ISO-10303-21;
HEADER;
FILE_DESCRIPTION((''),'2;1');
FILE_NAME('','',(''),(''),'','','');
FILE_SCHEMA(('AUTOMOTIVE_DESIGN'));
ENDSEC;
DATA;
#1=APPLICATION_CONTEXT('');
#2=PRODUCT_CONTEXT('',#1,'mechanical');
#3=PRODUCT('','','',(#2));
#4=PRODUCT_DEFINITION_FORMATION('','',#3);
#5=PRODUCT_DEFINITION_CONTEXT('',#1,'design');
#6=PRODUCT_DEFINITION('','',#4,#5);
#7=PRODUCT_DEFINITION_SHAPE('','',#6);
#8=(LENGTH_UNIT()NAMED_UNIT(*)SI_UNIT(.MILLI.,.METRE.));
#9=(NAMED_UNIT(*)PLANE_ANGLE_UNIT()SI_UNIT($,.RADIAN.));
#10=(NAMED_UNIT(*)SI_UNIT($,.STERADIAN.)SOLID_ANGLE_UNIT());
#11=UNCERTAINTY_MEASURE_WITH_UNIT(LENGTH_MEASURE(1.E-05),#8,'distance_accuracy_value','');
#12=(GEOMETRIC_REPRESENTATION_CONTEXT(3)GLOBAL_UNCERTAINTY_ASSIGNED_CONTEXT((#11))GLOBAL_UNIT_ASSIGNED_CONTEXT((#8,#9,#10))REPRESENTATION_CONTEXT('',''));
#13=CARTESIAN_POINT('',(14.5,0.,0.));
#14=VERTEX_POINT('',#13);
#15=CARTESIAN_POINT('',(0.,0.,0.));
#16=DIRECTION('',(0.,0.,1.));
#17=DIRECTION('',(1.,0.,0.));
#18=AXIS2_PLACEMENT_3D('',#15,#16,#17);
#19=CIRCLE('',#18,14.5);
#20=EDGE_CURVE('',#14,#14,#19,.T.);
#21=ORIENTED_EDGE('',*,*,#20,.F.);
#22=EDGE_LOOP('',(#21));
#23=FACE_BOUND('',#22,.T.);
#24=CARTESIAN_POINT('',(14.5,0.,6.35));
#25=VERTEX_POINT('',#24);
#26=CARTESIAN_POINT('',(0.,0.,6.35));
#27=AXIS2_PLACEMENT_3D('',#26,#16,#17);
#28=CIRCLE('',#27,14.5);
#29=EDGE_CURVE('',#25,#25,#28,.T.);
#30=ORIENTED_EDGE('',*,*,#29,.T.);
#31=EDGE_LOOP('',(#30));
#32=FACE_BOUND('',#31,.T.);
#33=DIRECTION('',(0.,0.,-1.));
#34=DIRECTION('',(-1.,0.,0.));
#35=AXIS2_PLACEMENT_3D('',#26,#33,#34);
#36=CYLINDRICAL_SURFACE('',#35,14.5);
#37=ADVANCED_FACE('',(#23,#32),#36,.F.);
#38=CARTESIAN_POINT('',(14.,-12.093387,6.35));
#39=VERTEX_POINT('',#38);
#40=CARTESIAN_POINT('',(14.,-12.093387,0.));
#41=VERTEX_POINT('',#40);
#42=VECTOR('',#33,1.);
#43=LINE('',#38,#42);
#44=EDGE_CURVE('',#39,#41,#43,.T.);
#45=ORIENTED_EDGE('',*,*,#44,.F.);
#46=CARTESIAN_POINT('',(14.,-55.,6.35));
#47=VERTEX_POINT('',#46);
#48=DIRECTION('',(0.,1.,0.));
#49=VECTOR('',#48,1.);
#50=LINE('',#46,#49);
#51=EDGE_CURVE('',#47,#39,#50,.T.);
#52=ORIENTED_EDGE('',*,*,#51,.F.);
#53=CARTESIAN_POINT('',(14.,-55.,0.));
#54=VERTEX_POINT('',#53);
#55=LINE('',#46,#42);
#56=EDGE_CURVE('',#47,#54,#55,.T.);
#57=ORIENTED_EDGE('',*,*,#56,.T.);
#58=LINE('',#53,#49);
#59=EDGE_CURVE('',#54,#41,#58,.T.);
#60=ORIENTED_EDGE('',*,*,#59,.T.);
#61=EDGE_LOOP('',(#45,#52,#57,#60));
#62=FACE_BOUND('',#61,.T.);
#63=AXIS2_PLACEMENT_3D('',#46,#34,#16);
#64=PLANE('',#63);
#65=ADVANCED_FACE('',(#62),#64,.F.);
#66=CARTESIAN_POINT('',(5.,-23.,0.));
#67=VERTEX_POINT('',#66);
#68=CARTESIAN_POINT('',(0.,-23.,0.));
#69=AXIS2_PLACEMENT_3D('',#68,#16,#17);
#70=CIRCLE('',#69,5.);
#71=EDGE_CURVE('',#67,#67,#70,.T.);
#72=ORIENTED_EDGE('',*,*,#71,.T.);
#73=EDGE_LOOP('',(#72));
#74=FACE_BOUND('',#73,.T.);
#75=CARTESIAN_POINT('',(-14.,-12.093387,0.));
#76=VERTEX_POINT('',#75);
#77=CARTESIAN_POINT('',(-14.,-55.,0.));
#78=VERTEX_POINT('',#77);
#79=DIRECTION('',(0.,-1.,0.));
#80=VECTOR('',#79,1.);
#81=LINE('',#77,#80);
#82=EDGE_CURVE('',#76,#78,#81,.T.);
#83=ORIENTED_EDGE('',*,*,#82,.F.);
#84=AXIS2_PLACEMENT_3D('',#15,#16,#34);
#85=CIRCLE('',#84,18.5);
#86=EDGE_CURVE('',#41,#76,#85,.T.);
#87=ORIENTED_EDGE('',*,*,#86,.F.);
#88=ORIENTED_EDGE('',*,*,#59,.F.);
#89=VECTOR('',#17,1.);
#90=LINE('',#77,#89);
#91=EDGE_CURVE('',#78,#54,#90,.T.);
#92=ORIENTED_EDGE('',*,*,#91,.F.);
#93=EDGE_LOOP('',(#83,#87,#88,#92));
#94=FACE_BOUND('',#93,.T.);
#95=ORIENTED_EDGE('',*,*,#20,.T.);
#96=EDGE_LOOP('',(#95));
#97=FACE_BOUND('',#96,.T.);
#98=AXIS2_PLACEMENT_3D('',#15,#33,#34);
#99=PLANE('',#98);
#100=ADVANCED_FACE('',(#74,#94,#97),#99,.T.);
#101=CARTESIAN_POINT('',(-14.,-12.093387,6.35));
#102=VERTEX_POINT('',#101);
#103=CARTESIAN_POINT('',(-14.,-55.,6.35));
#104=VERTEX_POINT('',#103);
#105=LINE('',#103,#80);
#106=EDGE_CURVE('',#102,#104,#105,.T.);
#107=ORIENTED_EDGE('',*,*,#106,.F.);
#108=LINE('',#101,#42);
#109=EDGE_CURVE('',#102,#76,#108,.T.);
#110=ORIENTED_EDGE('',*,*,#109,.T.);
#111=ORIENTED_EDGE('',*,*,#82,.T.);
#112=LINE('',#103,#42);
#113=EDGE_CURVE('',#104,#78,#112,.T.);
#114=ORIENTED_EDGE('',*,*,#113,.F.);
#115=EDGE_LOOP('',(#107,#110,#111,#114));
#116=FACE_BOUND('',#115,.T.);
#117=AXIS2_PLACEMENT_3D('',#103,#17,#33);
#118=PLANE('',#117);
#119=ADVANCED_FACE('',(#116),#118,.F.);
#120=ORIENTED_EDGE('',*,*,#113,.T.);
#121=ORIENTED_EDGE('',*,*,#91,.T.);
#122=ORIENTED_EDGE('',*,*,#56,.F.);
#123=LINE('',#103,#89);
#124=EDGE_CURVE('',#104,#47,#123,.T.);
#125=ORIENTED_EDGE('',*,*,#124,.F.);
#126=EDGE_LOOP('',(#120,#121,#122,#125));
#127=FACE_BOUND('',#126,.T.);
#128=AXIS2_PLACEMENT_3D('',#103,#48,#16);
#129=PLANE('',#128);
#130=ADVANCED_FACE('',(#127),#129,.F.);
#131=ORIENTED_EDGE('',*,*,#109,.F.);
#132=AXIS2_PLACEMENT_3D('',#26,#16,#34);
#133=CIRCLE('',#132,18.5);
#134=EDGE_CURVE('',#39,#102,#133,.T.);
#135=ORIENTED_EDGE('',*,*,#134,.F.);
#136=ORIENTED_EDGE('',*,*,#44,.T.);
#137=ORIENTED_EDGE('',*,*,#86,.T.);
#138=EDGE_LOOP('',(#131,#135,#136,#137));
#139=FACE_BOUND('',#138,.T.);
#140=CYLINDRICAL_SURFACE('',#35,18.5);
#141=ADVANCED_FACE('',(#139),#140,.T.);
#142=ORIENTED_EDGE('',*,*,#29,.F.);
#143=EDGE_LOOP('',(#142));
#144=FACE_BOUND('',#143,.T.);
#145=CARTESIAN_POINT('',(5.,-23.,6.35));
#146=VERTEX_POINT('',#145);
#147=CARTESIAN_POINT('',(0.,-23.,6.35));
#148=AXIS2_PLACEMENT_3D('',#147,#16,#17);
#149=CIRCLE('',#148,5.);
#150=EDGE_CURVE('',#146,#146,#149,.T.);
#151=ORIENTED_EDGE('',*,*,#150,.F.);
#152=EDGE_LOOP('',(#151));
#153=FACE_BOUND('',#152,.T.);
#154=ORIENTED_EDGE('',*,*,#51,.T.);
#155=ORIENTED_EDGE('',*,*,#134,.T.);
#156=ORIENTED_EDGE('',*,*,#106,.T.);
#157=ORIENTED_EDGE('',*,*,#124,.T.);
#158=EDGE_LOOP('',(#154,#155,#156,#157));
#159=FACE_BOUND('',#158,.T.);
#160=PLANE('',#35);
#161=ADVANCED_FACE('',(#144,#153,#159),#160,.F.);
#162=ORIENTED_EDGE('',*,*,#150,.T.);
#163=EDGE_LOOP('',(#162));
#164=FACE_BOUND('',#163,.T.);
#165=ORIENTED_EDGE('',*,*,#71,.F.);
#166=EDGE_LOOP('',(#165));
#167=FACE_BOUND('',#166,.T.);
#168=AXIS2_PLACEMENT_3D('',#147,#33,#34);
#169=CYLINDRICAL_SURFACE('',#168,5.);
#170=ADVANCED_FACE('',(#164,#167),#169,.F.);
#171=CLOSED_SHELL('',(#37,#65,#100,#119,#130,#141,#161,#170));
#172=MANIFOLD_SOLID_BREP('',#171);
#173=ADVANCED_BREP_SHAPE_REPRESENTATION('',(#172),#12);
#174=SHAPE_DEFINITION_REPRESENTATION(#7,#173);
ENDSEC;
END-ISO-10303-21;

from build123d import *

# Parameters (mm, degrees)
SKETCH1_R           = 14.5
SKETCH1_R_2         = 5
BOSS_EXTRUDE1_DEPTH = 6.35


with BuildPart() as part:
    # Sketch1 → Boss-Extrude1 (new body)
    with BuildSketch(Plane.XY):
        with BuildLine():
            Line((-14, -55), (14, -55))
            Line((14, -55), (14, -12.093386622))
            ThreePointArc((14, -12.093386622), (0, 18.5), (-14, -12.093386622))
            Line((-14, -12.093386622), (-14, -55))
        make_face()
        Circle(SKETCH1_R, mode=Mode.SUBTRACT)
        with Locations((0, -23)):
            Circle(SKETCH1_R_2, mode=Mode.SUBTRACT)
    extrude(amount=BOSS_EXTRUDE1_DEPTH)


solid = part.part
